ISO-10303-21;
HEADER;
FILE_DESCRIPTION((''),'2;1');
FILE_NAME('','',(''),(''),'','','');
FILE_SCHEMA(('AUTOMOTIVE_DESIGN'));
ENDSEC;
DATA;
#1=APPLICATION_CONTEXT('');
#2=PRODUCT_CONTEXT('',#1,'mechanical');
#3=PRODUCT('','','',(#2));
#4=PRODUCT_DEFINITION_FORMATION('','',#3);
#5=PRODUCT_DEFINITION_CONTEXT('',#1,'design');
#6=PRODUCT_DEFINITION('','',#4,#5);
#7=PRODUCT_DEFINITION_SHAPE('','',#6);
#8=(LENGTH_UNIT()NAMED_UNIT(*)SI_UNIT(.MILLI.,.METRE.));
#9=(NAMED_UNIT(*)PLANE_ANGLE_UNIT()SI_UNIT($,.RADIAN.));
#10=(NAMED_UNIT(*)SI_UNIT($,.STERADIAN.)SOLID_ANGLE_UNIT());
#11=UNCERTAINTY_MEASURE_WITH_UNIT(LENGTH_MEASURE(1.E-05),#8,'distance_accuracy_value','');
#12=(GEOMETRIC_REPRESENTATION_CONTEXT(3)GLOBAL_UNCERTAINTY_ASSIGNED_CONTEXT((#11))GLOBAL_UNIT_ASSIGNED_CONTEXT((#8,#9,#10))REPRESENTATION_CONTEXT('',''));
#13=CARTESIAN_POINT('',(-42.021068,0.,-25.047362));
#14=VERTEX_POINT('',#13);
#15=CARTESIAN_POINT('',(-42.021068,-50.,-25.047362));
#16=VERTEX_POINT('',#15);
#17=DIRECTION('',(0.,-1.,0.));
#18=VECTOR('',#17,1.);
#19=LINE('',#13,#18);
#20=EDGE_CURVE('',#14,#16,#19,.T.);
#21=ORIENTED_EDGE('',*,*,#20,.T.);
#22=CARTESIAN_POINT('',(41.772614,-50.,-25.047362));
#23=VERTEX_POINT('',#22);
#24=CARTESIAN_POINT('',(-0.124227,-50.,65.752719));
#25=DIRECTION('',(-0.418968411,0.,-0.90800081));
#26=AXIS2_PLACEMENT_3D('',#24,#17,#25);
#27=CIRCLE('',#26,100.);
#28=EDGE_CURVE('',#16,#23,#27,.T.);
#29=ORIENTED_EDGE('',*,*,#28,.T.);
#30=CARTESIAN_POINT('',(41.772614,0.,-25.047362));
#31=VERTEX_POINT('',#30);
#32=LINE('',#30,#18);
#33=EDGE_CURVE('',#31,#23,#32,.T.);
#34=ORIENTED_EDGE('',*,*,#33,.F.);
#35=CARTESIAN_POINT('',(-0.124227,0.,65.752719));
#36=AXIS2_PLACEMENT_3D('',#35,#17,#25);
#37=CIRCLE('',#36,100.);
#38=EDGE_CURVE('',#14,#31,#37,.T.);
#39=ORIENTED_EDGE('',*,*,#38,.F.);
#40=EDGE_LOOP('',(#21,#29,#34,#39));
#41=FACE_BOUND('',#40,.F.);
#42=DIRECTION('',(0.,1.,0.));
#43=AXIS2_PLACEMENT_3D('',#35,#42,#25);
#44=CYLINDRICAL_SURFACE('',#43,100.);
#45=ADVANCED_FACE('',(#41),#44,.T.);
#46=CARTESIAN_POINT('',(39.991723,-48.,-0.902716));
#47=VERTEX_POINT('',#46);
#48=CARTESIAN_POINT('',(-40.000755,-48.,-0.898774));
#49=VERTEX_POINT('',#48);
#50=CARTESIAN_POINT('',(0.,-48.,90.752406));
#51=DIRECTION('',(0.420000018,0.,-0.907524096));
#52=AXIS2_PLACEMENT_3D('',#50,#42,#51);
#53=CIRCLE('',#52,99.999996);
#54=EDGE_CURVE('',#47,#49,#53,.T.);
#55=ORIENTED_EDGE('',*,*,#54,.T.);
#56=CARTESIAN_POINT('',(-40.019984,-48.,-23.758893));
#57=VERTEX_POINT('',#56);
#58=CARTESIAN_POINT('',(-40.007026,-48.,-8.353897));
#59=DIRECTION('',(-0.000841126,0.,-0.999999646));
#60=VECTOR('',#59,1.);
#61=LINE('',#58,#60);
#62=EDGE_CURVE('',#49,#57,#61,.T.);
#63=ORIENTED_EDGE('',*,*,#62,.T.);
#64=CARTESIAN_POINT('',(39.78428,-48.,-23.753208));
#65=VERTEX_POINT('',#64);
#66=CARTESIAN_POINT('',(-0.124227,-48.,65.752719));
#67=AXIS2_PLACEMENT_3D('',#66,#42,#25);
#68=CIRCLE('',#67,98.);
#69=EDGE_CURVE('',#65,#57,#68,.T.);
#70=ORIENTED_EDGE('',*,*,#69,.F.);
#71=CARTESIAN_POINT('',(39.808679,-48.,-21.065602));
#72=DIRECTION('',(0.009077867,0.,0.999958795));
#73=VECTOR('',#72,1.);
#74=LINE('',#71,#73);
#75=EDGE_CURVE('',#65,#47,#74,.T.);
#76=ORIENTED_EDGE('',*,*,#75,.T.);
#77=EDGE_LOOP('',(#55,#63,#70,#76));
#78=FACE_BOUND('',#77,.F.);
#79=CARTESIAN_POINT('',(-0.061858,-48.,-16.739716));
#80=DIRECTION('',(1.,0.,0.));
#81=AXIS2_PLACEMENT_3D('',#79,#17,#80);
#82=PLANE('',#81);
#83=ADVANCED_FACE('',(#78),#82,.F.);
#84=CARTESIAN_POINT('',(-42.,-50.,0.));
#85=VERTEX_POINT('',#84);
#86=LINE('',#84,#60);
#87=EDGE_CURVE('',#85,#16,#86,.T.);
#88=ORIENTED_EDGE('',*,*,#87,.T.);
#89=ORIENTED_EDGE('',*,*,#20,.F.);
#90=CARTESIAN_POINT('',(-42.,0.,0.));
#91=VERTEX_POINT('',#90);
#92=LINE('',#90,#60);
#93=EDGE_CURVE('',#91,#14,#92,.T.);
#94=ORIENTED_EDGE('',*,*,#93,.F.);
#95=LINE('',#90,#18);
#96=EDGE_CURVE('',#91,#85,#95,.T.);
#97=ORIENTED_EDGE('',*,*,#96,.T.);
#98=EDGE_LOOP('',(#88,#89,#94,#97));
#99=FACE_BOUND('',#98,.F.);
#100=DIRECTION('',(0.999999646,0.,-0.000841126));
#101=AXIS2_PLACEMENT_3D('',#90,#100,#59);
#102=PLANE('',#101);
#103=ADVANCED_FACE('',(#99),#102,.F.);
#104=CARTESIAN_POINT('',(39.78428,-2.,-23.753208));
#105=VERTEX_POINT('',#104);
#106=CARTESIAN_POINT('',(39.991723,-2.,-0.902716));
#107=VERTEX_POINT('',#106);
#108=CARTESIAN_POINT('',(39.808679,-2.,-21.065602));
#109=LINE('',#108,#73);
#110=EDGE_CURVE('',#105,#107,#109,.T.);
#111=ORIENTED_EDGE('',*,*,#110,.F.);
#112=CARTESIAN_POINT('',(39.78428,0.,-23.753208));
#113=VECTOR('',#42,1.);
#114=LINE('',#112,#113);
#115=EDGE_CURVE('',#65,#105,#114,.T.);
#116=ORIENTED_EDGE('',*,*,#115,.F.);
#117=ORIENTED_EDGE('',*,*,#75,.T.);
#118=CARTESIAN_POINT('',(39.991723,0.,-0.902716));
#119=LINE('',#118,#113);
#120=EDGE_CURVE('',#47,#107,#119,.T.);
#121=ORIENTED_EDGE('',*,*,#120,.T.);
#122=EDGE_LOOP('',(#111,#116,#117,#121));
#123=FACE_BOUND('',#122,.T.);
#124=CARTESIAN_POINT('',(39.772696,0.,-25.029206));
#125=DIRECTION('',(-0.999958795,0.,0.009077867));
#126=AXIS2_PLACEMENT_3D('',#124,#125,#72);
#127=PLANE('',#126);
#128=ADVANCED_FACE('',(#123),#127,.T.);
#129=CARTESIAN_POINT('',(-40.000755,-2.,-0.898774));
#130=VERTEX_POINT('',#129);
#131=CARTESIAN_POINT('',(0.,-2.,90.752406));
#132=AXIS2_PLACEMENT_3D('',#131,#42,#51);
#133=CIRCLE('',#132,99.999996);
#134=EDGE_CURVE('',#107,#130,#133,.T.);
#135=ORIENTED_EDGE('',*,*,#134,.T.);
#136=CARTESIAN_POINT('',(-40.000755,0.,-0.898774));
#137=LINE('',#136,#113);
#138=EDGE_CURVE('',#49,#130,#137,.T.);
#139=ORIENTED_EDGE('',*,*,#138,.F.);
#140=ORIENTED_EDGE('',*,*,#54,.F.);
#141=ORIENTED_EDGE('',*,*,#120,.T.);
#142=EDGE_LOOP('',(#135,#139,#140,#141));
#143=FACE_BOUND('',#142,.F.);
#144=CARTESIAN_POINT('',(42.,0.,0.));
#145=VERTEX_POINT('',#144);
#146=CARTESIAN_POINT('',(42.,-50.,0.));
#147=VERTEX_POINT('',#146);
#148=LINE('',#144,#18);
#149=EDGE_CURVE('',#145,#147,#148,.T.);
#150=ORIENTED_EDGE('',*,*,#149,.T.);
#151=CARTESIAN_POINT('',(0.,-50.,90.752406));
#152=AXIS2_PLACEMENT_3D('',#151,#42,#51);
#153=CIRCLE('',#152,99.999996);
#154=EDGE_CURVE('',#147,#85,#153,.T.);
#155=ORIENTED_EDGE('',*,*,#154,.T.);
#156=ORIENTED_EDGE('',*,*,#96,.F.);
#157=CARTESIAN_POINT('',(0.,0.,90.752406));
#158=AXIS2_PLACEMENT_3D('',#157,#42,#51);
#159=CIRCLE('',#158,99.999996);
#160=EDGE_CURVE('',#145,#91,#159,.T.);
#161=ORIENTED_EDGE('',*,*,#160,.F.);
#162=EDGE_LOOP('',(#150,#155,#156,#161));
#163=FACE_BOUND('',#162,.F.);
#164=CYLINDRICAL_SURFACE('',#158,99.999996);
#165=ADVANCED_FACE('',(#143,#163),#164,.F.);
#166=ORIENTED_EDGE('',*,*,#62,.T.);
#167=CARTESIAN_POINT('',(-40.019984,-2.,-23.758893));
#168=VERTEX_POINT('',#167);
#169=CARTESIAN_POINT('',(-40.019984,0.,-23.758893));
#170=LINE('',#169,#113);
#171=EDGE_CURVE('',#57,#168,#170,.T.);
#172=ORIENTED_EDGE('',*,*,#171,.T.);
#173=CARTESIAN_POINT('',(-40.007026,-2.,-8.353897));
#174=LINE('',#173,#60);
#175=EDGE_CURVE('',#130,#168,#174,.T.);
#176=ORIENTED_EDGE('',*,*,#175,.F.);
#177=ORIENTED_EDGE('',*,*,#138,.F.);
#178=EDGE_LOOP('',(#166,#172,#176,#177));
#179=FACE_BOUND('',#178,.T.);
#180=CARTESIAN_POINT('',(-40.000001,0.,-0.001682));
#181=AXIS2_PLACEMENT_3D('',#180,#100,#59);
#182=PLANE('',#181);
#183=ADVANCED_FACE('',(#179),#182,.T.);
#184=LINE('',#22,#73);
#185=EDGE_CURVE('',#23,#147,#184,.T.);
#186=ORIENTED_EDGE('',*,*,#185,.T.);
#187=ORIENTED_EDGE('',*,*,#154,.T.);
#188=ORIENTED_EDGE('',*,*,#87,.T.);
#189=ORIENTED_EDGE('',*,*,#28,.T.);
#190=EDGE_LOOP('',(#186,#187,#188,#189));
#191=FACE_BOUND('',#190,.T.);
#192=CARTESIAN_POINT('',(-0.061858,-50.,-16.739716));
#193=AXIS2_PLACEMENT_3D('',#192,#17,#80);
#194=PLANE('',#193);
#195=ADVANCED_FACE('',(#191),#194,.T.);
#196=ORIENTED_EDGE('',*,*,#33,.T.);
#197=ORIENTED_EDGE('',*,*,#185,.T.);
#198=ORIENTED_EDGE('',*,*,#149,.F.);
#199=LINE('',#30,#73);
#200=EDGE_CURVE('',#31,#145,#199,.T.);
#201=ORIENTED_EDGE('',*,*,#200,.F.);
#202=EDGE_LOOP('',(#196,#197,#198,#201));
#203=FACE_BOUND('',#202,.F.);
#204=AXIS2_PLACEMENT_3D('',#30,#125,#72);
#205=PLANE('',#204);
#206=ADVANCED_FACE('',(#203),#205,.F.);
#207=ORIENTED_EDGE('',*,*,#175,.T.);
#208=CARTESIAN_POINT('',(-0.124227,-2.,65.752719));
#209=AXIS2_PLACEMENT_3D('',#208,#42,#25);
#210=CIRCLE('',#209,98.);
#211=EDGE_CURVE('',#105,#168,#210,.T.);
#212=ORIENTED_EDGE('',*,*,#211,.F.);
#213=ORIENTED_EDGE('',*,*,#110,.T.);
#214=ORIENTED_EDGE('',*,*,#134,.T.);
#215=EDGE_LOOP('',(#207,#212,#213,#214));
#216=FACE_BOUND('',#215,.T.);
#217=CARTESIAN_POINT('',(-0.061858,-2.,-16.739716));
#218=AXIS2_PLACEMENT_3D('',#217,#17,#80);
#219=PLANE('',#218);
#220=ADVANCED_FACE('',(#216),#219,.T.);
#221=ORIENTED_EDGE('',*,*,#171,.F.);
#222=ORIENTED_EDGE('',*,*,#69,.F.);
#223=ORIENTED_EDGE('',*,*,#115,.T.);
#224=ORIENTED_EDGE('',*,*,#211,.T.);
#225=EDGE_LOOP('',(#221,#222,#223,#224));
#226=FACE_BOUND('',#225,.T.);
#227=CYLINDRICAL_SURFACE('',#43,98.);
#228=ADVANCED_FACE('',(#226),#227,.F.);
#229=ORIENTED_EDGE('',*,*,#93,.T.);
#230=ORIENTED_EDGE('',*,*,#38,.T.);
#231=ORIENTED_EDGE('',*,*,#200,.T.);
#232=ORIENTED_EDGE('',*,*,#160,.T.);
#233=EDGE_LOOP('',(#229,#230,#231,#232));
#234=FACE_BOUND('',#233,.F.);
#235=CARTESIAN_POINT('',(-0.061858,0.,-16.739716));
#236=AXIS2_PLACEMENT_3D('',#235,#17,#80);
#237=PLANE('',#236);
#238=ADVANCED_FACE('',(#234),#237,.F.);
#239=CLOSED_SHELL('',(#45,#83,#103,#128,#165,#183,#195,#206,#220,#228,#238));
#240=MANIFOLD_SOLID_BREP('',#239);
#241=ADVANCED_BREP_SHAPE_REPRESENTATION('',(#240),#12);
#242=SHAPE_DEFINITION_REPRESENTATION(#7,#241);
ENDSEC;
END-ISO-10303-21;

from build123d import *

# Parameters (mm, degrees)
F1_DEPTH = 50
F2_T     = -2


with BuildPart() as f1:
    # F0 (on Front) → F1 (new body)
    with BuildSketch(Plane.XZ):
        with BuildLine():
            ThreePointArc((42, 0), (0, -9.24759), (-42, 0))
            Line((-42, 0), (-42.021068, -25.047362))
            ThreePointArc((-42.021068, -25.047362), (-0.124227, -34.247281), (41.772614, -25.047362))
            Line((41.772614, -25.047362), (42, 0))
        make_face()
    extrude(amount=F1_DEPTH)

    # F2
    f2_openings = [f1.faces().sort_by_distance(p)[0] for p in [
        (0, -25, -9.24759),
    ]]
    offset(amount=F2_T, openings=f2_openings)


solid = f1.part
